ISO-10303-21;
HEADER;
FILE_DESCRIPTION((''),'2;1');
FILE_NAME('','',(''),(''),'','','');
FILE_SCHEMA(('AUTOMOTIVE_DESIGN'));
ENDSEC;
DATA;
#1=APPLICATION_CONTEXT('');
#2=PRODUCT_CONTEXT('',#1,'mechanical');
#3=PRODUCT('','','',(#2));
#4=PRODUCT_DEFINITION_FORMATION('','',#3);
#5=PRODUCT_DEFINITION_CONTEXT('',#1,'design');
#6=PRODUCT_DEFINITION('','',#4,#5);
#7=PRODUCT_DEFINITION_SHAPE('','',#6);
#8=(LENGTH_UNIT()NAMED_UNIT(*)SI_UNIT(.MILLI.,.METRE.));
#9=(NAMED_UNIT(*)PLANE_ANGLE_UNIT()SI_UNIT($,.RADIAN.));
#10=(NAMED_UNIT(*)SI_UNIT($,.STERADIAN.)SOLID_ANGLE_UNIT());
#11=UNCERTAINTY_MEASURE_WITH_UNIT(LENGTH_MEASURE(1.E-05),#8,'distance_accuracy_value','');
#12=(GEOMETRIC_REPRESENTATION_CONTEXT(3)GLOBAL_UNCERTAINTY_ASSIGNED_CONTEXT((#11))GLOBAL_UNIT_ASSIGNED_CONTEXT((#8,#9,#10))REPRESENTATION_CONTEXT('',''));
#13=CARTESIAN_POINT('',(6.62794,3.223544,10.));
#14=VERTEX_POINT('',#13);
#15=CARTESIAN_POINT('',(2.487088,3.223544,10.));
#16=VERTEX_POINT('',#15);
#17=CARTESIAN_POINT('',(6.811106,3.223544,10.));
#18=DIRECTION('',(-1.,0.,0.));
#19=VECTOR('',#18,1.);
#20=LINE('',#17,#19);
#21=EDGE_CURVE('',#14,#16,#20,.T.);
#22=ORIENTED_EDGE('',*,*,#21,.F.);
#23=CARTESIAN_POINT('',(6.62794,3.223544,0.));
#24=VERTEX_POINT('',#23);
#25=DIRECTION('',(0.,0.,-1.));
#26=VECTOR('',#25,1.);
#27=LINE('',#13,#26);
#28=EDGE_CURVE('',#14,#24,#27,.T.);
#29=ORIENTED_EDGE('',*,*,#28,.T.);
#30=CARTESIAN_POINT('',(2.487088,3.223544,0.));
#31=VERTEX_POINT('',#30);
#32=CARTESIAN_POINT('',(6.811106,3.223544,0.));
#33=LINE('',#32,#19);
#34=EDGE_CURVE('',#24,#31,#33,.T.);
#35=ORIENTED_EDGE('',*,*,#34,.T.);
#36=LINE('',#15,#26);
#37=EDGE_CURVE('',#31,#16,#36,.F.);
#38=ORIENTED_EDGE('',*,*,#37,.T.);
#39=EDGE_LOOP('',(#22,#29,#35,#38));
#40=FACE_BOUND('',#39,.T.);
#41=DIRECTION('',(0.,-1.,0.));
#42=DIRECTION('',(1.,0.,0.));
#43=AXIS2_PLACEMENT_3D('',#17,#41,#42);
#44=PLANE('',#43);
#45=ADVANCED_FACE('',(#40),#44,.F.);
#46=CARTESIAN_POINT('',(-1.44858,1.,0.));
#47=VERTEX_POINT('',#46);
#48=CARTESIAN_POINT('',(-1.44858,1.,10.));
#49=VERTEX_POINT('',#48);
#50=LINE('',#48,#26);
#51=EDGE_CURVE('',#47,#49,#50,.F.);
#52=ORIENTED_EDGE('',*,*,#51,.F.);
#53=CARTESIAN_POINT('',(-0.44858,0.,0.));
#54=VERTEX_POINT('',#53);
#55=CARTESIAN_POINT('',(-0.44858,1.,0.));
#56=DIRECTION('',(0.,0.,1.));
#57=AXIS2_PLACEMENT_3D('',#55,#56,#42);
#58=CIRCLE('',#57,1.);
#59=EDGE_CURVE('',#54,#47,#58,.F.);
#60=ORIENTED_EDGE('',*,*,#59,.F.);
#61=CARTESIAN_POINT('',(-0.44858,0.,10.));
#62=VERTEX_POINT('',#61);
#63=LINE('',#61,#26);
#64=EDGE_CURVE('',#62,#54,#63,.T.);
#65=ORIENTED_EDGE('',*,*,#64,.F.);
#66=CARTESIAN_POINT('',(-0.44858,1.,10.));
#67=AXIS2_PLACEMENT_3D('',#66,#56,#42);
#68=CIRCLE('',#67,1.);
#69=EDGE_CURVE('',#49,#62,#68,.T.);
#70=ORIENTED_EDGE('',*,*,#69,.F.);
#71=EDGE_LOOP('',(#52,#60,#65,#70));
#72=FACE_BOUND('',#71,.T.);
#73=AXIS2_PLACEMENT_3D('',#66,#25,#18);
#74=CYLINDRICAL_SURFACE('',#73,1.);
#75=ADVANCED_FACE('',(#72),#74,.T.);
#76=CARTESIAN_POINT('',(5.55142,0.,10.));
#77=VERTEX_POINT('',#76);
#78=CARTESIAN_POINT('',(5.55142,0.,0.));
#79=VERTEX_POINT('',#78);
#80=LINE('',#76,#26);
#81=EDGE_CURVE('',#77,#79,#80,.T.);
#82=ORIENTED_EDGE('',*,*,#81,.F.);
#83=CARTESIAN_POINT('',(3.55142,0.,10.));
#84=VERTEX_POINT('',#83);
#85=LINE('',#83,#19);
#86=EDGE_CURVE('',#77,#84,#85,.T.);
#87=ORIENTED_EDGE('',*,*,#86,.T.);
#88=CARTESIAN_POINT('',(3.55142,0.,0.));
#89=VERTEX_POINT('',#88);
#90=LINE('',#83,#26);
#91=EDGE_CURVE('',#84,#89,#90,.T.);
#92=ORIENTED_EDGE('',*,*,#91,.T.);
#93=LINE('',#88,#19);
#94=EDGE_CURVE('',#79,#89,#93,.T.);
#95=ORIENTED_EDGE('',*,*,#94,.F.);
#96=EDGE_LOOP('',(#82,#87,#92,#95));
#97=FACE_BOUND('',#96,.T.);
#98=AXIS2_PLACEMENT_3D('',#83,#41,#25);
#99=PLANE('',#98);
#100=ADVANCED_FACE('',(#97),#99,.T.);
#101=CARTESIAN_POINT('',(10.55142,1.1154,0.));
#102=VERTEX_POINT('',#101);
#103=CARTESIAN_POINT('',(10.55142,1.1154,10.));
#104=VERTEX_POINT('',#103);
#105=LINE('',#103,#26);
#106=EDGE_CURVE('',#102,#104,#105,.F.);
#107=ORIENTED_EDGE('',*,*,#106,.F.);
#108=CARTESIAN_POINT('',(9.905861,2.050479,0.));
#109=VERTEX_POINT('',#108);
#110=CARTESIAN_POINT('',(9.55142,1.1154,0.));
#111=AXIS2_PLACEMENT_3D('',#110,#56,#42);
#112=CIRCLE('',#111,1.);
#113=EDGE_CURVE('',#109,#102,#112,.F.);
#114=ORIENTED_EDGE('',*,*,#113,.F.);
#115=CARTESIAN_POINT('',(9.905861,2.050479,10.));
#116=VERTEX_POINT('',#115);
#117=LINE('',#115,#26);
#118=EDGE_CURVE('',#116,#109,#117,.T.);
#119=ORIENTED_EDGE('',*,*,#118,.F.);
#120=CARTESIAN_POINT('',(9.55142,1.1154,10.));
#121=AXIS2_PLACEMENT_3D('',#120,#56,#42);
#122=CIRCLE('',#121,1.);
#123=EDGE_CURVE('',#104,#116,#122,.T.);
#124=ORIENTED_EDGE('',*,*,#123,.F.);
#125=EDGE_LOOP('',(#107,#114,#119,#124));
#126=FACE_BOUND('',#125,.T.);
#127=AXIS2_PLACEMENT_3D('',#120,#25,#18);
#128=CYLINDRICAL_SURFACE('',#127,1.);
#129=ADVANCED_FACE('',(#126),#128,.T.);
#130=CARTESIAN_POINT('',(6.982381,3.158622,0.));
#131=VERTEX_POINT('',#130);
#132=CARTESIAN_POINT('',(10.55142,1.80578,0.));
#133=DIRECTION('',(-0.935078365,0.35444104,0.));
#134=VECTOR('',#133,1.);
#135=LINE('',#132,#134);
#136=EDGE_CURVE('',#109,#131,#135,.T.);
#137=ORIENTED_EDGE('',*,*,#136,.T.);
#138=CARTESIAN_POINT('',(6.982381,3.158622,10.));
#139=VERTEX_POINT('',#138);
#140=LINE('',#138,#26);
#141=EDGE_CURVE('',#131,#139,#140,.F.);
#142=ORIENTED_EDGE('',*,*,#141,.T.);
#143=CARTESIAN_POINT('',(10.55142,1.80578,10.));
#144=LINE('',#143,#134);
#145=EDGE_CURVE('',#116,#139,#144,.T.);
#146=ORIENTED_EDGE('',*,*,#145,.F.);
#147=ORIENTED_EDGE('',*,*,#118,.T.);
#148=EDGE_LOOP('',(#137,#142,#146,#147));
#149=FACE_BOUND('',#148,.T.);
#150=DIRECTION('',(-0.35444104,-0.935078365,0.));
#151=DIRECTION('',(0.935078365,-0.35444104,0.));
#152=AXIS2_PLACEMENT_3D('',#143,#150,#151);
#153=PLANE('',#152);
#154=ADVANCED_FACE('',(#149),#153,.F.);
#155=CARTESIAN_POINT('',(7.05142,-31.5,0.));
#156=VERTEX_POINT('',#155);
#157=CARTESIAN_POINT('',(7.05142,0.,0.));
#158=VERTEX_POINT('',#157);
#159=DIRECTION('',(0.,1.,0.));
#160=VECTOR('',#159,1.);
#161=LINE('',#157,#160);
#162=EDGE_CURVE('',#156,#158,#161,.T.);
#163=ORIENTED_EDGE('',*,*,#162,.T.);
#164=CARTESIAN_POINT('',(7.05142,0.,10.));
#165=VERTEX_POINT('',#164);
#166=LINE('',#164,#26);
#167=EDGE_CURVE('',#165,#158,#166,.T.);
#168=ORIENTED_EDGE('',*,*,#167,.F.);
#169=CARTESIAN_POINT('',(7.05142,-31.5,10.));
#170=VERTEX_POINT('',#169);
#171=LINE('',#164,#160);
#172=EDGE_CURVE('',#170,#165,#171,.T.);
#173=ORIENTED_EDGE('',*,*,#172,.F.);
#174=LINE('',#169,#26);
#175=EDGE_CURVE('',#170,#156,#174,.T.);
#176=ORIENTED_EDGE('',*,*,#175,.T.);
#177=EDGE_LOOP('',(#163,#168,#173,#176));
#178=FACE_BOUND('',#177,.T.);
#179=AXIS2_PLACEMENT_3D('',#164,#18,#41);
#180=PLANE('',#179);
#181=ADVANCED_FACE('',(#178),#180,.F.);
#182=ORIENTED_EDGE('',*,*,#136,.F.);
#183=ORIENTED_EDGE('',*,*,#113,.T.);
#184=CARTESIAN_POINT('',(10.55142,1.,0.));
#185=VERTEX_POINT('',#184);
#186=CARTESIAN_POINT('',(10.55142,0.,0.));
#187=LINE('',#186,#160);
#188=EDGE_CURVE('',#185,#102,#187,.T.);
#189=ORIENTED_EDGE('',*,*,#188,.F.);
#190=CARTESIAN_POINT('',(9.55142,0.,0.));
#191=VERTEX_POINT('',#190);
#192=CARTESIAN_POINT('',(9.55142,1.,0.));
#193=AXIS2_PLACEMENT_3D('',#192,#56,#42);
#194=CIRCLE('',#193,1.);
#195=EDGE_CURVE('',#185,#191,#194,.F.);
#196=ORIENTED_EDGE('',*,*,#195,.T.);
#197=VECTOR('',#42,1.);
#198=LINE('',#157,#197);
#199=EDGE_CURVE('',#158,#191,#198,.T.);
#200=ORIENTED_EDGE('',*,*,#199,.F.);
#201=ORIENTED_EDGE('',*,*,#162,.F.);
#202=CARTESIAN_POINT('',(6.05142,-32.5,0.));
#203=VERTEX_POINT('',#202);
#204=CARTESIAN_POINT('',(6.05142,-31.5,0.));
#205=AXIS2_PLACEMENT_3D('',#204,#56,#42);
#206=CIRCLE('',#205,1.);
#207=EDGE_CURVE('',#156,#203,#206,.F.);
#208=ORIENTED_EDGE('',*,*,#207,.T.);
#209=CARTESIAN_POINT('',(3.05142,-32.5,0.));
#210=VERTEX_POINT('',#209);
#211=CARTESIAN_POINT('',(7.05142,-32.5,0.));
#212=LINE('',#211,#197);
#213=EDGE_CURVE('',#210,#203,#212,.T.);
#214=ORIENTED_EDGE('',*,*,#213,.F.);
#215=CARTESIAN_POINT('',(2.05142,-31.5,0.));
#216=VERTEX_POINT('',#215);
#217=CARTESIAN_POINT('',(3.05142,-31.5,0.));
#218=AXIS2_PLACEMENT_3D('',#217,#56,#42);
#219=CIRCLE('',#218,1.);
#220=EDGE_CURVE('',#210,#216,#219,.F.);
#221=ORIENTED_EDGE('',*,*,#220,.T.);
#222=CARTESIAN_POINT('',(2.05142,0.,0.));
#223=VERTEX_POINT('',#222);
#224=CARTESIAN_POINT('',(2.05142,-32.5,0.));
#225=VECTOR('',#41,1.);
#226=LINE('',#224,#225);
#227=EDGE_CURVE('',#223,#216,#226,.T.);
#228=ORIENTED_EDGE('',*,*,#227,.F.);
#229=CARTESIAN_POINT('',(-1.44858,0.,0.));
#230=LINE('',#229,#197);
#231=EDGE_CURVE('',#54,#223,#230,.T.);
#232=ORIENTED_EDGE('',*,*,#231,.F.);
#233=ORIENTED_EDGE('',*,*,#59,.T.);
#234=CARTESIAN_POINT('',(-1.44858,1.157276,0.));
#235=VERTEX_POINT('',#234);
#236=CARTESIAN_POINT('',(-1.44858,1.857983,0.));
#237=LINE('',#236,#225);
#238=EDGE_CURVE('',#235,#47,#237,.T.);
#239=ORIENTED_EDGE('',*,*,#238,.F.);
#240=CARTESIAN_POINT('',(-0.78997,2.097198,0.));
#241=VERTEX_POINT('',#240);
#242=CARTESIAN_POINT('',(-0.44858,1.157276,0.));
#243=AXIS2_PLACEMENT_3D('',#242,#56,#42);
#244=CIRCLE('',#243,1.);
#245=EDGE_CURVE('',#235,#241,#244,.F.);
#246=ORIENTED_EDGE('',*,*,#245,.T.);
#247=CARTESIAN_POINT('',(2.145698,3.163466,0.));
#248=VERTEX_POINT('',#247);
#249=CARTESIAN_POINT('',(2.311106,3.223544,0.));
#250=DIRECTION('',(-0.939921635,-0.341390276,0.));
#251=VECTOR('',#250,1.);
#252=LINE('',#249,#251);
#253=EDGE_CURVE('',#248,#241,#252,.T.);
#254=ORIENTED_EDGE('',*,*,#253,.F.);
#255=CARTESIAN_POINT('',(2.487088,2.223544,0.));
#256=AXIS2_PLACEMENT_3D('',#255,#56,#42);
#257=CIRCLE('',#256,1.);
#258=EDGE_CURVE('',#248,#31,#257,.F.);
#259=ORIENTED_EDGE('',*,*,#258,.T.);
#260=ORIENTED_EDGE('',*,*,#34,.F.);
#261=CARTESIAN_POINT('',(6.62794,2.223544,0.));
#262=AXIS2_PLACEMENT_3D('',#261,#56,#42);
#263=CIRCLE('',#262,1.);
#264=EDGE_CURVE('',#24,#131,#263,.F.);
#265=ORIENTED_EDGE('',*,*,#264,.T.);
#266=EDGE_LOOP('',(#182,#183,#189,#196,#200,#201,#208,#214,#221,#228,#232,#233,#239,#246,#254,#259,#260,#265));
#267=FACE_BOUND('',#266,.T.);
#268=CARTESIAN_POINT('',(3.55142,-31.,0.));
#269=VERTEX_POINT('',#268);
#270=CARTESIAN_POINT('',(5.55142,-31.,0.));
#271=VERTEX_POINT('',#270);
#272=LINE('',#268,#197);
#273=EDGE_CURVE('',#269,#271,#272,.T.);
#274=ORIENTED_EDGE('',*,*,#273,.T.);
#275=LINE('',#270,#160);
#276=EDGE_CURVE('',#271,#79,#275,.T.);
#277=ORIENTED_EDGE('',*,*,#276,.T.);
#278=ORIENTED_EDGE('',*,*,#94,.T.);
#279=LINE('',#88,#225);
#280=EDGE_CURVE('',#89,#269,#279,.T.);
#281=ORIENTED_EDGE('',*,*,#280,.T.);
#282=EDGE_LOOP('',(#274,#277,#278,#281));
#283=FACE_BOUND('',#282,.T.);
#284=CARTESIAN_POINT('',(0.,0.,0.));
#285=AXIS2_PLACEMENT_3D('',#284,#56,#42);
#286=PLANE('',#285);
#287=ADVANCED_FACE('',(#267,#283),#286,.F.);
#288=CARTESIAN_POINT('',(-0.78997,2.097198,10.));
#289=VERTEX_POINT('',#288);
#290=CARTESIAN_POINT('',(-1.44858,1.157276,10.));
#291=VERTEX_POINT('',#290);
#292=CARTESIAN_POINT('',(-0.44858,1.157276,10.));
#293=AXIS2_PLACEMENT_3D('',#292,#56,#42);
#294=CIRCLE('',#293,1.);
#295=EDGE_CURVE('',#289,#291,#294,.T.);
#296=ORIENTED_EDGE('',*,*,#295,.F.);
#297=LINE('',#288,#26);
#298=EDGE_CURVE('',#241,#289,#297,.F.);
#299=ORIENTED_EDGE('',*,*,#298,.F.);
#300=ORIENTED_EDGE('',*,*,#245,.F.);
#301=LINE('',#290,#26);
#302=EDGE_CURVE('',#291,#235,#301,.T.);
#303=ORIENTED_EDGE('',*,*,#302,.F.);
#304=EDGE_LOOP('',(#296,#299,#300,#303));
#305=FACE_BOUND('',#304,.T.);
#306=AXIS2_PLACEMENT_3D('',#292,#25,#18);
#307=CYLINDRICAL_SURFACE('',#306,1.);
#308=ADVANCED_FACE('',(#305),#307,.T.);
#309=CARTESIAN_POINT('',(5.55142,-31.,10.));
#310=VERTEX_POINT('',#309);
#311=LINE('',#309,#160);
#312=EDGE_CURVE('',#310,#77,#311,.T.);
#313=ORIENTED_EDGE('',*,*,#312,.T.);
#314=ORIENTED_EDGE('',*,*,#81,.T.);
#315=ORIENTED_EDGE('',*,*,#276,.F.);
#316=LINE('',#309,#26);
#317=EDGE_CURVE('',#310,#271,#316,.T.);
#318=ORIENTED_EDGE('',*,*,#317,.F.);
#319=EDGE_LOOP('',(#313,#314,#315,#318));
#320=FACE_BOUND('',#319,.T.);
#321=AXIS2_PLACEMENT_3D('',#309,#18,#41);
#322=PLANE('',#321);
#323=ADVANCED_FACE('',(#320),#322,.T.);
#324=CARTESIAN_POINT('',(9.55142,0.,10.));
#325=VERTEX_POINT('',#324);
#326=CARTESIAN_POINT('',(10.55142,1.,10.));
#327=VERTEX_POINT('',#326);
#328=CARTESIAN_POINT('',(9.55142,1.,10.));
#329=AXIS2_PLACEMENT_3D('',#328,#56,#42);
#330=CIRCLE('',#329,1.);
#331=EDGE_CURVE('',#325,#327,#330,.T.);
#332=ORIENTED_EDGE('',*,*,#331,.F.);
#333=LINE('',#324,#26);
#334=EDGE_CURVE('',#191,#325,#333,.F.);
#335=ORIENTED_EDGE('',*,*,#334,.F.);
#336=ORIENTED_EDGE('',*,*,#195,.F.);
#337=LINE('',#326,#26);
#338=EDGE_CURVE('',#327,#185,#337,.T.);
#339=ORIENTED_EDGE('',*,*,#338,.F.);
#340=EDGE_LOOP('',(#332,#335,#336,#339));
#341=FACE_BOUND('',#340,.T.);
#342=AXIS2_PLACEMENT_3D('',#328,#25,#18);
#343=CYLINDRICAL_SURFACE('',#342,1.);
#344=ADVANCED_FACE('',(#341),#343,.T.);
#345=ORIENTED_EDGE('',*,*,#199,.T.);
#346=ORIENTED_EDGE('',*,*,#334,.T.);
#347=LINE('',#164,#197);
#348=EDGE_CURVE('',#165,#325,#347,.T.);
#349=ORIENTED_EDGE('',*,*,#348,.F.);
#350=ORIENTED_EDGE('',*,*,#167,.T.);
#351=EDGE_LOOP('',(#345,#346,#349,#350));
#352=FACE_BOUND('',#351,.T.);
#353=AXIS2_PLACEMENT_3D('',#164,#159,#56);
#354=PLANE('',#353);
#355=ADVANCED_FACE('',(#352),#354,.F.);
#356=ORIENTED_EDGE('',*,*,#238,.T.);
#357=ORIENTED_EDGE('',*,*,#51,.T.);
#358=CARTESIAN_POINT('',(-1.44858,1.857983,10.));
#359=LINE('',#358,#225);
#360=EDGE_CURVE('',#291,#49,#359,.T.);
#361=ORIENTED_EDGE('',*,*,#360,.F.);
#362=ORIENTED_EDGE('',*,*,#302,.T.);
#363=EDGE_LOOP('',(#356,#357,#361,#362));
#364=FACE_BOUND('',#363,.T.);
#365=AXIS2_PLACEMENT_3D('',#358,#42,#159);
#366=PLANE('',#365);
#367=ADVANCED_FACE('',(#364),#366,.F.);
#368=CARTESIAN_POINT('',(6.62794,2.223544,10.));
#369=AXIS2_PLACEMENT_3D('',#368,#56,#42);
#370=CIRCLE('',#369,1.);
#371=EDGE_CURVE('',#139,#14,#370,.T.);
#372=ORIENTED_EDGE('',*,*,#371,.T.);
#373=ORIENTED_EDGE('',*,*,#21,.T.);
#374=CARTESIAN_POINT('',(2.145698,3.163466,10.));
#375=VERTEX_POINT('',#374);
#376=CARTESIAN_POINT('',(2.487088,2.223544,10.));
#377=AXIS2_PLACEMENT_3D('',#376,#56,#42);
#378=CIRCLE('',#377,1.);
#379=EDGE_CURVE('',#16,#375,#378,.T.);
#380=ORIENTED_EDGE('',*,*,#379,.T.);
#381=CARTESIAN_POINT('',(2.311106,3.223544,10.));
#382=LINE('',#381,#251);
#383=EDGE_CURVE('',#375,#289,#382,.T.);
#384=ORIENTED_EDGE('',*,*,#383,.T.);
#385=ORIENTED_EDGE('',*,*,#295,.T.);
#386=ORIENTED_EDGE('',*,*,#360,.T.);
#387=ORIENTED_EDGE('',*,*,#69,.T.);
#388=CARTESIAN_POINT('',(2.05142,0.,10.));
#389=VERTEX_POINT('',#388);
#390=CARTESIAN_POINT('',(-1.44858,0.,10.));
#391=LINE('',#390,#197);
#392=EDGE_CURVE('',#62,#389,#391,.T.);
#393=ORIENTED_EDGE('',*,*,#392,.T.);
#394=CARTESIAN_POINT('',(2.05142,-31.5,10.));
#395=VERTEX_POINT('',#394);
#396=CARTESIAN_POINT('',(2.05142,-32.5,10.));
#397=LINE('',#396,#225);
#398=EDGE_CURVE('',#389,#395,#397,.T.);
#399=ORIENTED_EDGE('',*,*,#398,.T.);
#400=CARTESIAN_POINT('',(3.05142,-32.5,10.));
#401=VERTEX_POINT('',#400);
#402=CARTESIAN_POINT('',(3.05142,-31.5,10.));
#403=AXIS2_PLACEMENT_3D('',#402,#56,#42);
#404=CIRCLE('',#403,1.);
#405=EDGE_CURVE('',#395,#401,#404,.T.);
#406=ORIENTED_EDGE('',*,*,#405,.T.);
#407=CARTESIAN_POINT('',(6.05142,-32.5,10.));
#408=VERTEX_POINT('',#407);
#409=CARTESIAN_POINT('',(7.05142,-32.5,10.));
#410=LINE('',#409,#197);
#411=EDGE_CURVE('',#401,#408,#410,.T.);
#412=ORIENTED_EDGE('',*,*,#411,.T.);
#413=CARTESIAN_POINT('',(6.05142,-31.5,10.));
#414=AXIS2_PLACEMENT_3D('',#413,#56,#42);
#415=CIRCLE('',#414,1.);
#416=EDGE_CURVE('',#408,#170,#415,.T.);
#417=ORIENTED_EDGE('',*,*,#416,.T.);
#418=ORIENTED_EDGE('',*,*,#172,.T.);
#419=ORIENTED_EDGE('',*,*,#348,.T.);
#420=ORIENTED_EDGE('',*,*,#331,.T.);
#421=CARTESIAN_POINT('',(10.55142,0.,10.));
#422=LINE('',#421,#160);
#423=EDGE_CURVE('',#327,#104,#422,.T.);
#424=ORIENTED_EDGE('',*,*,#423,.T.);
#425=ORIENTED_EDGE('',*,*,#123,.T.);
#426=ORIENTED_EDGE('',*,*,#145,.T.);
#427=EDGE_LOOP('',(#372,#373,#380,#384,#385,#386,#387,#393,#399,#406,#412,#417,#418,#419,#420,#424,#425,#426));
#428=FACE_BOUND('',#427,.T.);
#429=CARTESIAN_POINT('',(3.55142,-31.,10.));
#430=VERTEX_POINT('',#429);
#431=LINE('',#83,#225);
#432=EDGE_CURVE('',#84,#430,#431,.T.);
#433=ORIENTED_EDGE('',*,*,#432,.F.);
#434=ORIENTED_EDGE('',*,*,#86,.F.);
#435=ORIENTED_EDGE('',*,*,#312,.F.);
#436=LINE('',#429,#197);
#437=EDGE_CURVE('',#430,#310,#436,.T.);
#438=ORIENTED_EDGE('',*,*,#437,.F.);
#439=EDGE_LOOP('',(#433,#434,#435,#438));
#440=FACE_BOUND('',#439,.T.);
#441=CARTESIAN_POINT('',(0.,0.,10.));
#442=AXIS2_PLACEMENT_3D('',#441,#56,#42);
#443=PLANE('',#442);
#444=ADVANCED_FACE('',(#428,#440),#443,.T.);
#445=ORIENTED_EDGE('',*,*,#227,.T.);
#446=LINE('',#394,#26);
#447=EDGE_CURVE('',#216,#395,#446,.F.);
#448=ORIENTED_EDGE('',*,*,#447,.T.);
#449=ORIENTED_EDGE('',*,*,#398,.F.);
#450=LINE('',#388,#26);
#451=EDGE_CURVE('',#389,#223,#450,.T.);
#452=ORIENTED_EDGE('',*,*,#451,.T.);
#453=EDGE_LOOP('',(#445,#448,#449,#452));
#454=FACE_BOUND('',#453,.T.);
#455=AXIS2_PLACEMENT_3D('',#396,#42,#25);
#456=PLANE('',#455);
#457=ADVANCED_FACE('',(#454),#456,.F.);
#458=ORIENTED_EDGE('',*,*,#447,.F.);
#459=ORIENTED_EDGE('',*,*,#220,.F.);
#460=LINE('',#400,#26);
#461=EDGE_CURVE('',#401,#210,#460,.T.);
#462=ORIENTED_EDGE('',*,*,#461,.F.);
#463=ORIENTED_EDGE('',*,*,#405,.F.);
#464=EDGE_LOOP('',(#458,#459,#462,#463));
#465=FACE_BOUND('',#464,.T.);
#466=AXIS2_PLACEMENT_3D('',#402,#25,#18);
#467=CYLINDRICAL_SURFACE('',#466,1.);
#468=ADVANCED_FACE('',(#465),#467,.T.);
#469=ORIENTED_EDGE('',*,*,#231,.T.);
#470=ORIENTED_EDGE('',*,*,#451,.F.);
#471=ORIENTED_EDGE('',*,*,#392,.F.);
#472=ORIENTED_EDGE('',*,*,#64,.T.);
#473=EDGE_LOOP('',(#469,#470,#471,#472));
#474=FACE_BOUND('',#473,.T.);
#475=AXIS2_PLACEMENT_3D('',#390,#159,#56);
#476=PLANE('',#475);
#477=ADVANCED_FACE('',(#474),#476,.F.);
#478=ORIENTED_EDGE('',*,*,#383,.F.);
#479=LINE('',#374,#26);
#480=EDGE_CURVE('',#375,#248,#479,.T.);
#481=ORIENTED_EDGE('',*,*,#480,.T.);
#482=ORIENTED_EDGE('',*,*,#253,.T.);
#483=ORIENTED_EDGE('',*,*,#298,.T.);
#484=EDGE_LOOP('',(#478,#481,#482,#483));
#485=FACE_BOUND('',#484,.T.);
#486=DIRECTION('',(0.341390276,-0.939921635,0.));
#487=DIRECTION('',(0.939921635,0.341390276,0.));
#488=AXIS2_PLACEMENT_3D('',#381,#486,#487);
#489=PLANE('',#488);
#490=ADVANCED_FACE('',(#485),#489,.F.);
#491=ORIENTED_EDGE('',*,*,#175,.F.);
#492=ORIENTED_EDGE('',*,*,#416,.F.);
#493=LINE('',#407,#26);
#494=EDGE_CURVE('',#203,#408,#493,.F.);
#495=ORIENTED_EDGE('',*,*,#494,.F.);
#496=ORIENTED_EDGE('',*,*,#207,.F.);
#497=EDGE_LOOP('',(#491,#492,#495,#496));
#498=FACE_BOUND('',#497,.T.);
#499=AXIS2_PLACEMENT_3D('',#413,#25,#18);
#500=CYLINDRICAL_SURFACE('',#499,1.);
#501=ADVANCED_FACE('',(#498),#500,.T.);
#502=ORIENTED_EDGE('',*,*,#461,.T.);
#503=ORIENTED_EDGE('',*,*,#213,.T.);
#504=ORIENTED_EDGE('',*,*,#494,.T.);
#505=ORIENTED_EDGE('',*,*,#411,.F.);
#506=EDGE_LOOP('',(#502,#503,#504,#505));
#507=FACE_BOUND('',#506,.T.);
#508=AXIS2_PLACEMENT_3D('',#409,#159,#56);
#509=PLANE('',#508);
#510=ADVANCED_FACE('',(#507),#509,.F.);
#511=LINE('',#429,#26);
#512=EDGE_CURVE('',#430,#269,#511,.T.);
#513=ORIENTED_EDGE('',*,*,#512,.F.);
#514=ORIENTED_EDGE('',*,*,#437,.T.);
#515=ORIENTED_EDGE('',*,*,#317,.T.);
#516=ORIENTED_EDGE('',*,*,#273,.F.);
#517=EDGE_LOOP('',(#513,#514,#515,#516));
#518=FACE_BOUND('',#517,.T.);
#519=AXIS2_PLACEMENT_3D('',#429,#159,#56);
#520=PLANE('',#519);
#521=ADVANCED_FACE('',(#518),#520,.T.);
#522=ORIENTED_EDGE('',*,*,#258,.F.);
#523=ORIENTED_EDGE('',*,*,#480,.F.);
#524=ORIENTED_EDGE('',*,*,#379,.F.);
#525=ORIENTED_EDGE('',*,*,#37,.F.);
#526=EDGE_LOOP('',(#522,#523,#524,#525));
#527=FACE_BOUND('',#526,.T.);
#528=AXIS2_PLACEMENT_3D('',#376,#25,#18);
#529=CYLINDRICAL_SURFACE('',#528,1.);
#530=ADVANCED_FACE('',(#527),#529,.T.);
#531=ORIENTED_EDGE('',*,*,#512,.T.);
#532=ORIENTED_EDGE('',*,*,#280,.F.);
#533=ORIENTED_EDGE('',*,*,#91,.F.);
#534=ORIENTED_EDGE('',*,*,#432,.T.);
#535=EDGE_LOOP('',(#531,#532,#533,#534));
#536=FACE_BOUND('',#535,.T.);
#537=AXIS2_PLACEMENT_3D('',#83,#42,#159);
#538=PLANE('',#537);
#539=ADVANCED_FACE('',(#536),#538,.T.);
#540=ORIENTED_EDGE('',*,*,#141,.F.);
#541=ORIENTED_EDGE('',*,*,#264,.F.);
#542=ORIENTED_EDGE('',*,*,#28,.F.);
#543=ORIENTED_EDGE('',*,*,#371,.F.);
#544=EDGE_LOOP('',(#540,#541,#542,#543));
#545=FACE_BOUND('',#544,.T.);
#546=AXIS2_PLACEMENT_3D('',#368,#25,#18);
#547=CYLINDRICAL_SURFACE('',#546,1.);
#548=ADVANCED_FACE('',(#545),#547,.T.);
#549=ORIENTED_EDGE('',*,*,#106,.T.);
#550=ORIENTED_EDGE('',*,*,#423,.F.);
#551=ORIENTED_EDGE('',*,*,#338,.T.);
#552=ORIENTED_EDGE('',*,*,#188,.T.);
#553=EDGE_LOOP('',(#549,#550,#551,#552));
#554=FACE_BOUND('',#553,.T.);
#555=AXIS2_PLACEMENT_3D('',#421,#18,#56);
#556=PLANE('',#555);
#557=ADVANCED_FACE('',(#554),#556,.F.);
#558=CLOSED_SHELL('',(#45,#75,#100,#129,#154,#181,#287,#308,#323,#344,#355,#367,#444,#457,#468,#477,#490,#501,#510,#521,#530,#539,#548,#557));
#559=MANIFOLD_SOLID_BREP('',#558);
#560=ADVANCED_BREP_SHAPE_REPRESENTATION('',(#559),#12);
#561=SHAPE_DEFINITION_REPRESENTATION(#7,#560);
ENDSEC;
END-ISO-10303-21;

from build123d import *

# Parameters (mm, degrees)
ESQUISSE1_W        = 2
ESQUISSE1_H        = 31
BOSS_EXTRU_1_DEPTH = 10
CONG_1_R           = 1


with BuildPart() as part:
    # Esquisse1 → Boss.-Extru.1 (new body)
    with BuildSketch(Plane.XY):
        Polygon((10.551419921, 0), (10.551419921, 1.805779869), (6.81110646, 3.223544029), (2.31110646, 3.223544029), (-1.448580079, 1.857982926), (-1.448580079, 0), (2.051419921, 0), (2.051419921, -32.5), (7.051419921, -32.5), (7.051419921, 0), align=None)
        with Locations((4.551419921, -15.5)):
            Rectangle(ESQUISSE1_W, ESQUISSE1_H, mode=Mode.SUBTRACT)
    extrude(amount=BOSS_EXTRU_1_DEPTH)

    # Congé1
    cong_1_edges = [part.edges().sort_by_distance(p)[0] for p in [
        (-1.448580079, 0, 5),
        (-1.448580079, 1.857982926, 5),
        (2.31110646, 3.223544029, 5),
        (6.81110646, 3.223544029, 5),
        (10.551419921, 1.805779869, 5),
        (10.551419921, 0, 5),
        (7.051419921, -32.5, 5),
        (2.051419921, -32.5, 5),
    ]]
    fillet(cong_1_edges, radius=CONG_1_R)


solid = part.part
